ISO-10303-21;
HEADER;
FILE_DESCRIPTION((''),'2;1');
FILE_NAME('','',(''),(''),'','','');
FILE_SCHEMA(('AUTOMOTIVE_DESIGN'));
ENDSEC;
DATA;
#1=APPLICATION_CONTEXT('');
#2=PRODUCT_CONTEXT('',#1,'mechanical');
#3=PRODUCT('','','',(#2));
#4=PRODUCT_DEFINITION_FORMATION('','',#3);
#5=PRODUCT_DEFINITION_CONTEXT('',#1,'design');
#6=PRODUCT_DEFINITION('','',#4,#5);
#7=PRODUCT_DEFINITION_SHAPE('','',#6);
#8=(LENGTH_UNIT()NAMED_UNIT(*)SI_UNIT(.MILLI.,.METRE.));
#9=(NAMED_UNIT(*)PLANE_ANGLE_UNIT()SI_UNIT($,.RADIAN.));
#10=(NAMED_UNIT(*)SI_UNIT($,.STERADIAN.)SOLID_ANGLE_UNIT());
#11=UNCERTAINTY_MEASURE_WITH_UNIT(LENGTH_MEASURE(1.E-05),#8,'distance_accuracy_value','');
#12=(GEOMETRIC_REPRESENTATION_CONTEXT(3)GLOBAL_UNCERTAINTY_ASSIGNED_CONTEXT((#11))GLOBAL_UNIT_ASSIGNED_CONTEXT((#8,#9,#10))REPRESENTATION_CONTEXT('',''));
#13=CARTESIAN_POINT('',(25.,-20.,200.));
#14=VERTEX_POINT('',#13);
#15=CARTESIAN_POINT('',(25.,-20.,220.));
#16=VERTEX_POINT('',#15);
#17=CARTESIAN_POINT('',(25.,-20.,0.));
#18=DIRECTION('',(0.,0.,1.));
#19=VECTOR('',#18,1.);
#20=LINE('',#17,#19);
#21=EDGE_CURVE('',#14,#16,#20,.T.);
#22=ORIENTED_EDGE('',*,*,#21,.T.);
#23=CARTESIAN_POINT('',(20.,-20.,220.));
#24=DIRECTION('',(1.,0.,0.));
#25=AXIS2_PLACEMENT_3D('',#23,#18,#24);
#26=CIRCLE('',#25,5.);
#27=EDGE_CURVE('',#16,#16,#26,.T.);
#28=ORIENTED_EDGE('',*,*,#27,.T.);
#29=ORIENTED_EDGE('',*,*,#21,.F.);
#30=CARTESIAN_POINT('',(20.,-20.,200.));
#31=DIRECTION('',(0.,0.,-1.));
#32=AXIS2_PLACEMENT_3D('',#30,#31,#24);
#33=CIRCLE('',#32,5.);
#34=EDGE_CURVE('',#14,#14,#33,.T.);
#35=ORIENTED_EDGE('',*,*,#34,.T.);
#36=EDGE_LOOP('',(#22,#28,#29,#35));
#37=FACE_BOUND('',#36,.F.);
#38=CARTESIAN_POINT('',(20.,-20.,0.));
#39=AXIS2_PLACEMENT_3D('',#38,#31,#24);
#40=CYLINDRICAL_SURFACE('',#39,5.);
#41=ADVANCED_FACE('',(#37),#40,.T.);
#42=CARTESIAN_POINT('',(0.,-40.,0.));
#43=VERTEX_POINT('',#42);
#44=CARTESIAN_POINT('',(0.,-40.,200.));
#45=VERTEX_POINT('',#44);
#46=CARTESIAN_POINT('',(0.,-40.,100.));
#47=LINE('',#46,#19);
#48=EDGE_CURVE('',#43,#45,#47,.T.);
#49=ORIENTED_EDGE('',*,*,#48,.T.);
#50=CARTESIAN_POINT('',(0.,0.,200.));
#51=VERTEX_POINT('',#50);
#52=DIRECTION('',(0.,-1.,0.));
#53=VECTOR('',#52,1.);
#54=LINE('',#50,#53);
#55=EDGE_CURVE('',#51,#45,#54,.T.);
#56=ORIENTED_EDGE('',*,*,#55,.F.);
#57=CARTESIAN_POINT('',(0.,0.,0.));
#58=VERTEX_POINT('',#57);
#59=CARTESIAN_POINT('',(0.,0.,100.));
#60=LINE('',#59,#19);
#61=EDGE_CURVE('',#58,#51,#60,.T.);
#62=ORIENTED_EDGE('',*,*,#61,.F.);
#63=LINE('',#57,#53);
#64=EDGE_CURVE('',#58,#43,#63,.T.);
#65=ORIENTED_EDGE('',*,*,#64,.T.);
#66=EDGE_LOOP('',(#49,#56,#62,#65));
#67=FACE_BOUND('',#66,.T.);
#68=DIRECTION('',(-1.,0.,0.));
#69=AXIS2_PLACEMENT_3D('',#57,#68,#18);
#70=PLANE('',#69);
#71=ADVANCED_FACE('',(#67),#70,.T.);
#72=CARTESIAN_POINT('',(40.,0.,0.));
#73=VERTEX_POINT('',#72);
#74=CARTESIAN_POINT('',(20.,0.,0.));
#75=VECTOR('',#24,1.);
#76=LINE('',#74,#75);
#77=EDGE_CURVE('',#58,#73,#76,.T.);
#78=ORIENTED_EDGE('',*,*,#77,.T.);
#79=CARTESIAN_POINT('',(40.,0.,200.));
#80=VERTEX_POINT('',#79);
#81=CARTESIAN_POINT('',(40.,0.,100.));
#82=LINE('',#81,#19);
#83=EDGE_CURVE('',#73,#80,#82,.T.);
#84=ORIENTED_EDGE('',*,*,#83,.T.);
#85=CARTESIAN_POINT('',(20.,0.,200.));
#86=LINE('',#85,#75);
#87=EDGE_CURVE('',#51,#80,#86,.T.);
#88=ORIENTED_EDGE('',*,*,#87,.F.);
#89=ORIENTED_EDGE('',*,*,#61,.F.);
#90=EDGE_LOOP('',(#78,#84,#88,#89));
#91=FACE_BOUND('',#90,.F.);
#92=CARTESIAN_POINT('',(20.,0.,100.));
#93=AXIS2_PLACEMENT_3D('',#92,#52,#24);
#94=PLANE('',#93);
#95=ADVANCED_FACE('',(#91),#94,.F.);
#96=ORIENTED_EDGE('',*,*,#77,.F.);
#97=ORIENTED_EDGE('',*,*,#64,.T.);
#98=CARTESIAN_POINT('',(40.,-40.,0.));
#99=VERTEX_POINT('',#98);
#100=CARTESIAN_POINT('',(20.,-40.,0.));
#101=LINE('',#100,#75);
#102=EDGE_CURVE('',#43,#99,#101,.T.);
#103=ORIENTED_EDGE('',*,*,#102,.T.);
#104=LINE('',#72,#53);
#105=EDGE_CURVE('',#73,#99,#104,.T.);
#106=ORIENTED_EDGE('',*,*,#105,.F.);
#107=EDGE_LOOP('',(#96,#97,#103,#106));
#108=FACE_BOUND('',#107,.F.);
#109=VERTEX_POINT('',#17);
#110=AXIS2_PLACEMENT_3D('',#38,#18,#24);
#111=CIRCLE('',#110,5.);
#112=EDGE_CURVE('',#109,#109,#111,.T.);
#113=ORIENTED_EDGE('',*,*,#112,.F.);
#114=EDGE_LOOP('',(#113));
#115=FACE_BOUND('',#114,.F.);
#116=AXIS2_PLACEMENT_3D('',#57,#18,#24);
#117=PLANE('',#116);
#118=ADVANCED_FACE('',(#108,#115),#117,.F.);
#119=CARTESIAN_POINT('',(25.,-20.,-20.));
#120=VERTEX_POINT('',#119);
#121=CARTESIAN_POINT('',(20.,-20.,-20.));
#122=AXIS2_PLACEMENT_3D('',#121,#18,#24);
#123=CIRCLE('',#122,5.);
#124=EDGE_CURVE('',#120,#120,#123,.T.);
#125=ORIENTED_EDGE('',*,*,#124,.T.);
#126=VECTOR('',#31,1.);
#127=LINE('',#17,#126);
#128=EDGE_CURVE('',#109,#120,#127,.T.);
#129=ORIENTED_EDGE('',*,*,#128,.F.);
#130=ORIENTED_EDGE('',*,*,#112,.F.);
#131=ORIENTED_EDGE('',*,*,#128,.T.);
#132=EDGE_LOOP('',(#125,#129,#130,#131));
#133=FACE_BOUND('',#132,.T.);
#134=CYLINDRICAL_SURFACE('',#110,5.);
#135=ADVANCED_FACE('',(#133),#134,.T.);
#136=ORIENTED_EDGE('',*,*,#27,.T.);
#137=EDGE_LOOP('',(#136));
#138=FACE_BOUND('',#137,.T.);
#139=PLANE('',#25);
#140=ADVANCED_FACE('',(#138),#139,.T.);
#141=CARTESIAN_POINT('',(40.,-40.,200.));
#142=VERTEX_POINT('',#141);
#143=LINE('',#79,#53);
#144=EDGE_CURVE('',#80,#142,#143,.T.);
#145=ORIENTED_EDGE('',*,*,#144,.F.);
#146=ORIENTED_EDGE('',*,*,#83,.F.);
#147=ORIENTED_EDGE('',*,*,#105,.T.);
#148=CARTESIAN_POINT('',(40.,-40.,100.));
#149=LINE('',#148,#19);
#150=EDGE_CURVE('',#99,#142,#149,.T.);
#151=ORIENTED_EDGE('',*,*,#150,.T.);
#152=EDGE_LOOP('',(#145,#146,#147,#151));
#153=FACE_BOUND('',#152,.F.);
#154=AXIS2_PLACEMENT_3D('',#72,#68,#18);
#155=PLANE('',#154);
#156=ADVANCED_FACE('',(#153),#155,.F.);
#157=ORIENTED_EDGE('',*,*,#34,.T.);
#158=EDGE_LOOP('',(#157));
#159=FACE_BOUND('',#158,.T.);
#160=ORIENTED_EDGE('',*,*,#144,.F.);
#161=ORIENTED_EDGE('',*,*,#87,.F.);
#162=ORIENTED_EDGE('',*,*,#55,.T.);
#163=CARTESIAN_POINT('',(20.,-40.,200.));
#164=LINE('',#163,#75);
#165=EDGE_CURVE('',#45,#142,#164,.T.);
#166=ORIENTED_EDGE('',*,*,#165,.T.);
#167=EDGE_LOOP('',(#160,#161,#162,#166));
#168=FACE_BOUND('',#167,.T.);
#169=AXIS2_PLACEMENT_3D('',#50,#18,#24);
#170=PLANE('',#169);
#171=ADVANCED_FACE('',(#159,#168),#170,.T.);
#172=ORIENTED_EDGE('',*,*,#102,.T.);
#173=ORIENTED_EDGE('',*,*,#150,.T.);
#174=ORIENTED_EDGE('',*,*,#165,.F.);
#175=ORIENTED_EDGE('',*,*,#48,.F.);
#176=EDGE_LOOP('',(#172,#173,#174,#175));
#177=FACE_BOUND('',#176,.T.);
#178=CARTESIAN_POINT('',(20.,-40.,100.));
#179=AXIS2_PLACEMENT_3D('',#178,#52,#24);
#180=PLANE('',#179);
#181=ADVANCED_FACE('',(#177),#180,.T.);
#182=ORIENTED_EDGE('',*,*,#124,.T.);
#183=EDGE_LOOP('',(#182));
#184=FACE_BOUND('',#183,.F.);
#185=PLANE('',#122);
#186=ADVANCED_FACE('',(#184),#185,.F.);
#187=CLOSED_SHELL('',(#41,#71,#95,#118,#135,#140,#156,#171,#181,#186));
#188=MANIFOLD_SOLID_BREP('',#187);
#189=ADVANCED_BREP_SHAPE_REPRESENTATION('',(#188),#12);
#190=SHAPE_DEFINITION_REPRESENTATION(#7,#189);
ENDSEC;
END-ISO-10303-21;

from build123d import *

# Parameters (mm, degrees)
SKETCH_W     = 40
SKETCH_H     = 200
PAD_DEPTH    = 40
SKETCH001_R  = 5
PAD001_DEPTH = 20
PAD002_DEPTH = 220


with BuildPart() as part:
    # Sketch → Pad (new body)
    with BuildSketch(Plane.XZ):
        with Locations((20, 100)):
            Rectangle(SKETCH_W, SKETCH_H)
    extrude(amount=PAD_DEPTH)

    # Sketch001 → Pad001 (join)
    with BuildSketch(Plane.XY):
        with Locations((20, -20)):
            Circle(SKETCH001_R)
    extrude(amount=-PAD001_DEPTH)

    # Sketch001 → Pad002 (join)
    with BuildSketch(Plane.XY):
        with Locations((20, -20)):
            Circle(SKETCH001_R)
    extrude(amount=PAD002_DEPTH)


solid = part.part
